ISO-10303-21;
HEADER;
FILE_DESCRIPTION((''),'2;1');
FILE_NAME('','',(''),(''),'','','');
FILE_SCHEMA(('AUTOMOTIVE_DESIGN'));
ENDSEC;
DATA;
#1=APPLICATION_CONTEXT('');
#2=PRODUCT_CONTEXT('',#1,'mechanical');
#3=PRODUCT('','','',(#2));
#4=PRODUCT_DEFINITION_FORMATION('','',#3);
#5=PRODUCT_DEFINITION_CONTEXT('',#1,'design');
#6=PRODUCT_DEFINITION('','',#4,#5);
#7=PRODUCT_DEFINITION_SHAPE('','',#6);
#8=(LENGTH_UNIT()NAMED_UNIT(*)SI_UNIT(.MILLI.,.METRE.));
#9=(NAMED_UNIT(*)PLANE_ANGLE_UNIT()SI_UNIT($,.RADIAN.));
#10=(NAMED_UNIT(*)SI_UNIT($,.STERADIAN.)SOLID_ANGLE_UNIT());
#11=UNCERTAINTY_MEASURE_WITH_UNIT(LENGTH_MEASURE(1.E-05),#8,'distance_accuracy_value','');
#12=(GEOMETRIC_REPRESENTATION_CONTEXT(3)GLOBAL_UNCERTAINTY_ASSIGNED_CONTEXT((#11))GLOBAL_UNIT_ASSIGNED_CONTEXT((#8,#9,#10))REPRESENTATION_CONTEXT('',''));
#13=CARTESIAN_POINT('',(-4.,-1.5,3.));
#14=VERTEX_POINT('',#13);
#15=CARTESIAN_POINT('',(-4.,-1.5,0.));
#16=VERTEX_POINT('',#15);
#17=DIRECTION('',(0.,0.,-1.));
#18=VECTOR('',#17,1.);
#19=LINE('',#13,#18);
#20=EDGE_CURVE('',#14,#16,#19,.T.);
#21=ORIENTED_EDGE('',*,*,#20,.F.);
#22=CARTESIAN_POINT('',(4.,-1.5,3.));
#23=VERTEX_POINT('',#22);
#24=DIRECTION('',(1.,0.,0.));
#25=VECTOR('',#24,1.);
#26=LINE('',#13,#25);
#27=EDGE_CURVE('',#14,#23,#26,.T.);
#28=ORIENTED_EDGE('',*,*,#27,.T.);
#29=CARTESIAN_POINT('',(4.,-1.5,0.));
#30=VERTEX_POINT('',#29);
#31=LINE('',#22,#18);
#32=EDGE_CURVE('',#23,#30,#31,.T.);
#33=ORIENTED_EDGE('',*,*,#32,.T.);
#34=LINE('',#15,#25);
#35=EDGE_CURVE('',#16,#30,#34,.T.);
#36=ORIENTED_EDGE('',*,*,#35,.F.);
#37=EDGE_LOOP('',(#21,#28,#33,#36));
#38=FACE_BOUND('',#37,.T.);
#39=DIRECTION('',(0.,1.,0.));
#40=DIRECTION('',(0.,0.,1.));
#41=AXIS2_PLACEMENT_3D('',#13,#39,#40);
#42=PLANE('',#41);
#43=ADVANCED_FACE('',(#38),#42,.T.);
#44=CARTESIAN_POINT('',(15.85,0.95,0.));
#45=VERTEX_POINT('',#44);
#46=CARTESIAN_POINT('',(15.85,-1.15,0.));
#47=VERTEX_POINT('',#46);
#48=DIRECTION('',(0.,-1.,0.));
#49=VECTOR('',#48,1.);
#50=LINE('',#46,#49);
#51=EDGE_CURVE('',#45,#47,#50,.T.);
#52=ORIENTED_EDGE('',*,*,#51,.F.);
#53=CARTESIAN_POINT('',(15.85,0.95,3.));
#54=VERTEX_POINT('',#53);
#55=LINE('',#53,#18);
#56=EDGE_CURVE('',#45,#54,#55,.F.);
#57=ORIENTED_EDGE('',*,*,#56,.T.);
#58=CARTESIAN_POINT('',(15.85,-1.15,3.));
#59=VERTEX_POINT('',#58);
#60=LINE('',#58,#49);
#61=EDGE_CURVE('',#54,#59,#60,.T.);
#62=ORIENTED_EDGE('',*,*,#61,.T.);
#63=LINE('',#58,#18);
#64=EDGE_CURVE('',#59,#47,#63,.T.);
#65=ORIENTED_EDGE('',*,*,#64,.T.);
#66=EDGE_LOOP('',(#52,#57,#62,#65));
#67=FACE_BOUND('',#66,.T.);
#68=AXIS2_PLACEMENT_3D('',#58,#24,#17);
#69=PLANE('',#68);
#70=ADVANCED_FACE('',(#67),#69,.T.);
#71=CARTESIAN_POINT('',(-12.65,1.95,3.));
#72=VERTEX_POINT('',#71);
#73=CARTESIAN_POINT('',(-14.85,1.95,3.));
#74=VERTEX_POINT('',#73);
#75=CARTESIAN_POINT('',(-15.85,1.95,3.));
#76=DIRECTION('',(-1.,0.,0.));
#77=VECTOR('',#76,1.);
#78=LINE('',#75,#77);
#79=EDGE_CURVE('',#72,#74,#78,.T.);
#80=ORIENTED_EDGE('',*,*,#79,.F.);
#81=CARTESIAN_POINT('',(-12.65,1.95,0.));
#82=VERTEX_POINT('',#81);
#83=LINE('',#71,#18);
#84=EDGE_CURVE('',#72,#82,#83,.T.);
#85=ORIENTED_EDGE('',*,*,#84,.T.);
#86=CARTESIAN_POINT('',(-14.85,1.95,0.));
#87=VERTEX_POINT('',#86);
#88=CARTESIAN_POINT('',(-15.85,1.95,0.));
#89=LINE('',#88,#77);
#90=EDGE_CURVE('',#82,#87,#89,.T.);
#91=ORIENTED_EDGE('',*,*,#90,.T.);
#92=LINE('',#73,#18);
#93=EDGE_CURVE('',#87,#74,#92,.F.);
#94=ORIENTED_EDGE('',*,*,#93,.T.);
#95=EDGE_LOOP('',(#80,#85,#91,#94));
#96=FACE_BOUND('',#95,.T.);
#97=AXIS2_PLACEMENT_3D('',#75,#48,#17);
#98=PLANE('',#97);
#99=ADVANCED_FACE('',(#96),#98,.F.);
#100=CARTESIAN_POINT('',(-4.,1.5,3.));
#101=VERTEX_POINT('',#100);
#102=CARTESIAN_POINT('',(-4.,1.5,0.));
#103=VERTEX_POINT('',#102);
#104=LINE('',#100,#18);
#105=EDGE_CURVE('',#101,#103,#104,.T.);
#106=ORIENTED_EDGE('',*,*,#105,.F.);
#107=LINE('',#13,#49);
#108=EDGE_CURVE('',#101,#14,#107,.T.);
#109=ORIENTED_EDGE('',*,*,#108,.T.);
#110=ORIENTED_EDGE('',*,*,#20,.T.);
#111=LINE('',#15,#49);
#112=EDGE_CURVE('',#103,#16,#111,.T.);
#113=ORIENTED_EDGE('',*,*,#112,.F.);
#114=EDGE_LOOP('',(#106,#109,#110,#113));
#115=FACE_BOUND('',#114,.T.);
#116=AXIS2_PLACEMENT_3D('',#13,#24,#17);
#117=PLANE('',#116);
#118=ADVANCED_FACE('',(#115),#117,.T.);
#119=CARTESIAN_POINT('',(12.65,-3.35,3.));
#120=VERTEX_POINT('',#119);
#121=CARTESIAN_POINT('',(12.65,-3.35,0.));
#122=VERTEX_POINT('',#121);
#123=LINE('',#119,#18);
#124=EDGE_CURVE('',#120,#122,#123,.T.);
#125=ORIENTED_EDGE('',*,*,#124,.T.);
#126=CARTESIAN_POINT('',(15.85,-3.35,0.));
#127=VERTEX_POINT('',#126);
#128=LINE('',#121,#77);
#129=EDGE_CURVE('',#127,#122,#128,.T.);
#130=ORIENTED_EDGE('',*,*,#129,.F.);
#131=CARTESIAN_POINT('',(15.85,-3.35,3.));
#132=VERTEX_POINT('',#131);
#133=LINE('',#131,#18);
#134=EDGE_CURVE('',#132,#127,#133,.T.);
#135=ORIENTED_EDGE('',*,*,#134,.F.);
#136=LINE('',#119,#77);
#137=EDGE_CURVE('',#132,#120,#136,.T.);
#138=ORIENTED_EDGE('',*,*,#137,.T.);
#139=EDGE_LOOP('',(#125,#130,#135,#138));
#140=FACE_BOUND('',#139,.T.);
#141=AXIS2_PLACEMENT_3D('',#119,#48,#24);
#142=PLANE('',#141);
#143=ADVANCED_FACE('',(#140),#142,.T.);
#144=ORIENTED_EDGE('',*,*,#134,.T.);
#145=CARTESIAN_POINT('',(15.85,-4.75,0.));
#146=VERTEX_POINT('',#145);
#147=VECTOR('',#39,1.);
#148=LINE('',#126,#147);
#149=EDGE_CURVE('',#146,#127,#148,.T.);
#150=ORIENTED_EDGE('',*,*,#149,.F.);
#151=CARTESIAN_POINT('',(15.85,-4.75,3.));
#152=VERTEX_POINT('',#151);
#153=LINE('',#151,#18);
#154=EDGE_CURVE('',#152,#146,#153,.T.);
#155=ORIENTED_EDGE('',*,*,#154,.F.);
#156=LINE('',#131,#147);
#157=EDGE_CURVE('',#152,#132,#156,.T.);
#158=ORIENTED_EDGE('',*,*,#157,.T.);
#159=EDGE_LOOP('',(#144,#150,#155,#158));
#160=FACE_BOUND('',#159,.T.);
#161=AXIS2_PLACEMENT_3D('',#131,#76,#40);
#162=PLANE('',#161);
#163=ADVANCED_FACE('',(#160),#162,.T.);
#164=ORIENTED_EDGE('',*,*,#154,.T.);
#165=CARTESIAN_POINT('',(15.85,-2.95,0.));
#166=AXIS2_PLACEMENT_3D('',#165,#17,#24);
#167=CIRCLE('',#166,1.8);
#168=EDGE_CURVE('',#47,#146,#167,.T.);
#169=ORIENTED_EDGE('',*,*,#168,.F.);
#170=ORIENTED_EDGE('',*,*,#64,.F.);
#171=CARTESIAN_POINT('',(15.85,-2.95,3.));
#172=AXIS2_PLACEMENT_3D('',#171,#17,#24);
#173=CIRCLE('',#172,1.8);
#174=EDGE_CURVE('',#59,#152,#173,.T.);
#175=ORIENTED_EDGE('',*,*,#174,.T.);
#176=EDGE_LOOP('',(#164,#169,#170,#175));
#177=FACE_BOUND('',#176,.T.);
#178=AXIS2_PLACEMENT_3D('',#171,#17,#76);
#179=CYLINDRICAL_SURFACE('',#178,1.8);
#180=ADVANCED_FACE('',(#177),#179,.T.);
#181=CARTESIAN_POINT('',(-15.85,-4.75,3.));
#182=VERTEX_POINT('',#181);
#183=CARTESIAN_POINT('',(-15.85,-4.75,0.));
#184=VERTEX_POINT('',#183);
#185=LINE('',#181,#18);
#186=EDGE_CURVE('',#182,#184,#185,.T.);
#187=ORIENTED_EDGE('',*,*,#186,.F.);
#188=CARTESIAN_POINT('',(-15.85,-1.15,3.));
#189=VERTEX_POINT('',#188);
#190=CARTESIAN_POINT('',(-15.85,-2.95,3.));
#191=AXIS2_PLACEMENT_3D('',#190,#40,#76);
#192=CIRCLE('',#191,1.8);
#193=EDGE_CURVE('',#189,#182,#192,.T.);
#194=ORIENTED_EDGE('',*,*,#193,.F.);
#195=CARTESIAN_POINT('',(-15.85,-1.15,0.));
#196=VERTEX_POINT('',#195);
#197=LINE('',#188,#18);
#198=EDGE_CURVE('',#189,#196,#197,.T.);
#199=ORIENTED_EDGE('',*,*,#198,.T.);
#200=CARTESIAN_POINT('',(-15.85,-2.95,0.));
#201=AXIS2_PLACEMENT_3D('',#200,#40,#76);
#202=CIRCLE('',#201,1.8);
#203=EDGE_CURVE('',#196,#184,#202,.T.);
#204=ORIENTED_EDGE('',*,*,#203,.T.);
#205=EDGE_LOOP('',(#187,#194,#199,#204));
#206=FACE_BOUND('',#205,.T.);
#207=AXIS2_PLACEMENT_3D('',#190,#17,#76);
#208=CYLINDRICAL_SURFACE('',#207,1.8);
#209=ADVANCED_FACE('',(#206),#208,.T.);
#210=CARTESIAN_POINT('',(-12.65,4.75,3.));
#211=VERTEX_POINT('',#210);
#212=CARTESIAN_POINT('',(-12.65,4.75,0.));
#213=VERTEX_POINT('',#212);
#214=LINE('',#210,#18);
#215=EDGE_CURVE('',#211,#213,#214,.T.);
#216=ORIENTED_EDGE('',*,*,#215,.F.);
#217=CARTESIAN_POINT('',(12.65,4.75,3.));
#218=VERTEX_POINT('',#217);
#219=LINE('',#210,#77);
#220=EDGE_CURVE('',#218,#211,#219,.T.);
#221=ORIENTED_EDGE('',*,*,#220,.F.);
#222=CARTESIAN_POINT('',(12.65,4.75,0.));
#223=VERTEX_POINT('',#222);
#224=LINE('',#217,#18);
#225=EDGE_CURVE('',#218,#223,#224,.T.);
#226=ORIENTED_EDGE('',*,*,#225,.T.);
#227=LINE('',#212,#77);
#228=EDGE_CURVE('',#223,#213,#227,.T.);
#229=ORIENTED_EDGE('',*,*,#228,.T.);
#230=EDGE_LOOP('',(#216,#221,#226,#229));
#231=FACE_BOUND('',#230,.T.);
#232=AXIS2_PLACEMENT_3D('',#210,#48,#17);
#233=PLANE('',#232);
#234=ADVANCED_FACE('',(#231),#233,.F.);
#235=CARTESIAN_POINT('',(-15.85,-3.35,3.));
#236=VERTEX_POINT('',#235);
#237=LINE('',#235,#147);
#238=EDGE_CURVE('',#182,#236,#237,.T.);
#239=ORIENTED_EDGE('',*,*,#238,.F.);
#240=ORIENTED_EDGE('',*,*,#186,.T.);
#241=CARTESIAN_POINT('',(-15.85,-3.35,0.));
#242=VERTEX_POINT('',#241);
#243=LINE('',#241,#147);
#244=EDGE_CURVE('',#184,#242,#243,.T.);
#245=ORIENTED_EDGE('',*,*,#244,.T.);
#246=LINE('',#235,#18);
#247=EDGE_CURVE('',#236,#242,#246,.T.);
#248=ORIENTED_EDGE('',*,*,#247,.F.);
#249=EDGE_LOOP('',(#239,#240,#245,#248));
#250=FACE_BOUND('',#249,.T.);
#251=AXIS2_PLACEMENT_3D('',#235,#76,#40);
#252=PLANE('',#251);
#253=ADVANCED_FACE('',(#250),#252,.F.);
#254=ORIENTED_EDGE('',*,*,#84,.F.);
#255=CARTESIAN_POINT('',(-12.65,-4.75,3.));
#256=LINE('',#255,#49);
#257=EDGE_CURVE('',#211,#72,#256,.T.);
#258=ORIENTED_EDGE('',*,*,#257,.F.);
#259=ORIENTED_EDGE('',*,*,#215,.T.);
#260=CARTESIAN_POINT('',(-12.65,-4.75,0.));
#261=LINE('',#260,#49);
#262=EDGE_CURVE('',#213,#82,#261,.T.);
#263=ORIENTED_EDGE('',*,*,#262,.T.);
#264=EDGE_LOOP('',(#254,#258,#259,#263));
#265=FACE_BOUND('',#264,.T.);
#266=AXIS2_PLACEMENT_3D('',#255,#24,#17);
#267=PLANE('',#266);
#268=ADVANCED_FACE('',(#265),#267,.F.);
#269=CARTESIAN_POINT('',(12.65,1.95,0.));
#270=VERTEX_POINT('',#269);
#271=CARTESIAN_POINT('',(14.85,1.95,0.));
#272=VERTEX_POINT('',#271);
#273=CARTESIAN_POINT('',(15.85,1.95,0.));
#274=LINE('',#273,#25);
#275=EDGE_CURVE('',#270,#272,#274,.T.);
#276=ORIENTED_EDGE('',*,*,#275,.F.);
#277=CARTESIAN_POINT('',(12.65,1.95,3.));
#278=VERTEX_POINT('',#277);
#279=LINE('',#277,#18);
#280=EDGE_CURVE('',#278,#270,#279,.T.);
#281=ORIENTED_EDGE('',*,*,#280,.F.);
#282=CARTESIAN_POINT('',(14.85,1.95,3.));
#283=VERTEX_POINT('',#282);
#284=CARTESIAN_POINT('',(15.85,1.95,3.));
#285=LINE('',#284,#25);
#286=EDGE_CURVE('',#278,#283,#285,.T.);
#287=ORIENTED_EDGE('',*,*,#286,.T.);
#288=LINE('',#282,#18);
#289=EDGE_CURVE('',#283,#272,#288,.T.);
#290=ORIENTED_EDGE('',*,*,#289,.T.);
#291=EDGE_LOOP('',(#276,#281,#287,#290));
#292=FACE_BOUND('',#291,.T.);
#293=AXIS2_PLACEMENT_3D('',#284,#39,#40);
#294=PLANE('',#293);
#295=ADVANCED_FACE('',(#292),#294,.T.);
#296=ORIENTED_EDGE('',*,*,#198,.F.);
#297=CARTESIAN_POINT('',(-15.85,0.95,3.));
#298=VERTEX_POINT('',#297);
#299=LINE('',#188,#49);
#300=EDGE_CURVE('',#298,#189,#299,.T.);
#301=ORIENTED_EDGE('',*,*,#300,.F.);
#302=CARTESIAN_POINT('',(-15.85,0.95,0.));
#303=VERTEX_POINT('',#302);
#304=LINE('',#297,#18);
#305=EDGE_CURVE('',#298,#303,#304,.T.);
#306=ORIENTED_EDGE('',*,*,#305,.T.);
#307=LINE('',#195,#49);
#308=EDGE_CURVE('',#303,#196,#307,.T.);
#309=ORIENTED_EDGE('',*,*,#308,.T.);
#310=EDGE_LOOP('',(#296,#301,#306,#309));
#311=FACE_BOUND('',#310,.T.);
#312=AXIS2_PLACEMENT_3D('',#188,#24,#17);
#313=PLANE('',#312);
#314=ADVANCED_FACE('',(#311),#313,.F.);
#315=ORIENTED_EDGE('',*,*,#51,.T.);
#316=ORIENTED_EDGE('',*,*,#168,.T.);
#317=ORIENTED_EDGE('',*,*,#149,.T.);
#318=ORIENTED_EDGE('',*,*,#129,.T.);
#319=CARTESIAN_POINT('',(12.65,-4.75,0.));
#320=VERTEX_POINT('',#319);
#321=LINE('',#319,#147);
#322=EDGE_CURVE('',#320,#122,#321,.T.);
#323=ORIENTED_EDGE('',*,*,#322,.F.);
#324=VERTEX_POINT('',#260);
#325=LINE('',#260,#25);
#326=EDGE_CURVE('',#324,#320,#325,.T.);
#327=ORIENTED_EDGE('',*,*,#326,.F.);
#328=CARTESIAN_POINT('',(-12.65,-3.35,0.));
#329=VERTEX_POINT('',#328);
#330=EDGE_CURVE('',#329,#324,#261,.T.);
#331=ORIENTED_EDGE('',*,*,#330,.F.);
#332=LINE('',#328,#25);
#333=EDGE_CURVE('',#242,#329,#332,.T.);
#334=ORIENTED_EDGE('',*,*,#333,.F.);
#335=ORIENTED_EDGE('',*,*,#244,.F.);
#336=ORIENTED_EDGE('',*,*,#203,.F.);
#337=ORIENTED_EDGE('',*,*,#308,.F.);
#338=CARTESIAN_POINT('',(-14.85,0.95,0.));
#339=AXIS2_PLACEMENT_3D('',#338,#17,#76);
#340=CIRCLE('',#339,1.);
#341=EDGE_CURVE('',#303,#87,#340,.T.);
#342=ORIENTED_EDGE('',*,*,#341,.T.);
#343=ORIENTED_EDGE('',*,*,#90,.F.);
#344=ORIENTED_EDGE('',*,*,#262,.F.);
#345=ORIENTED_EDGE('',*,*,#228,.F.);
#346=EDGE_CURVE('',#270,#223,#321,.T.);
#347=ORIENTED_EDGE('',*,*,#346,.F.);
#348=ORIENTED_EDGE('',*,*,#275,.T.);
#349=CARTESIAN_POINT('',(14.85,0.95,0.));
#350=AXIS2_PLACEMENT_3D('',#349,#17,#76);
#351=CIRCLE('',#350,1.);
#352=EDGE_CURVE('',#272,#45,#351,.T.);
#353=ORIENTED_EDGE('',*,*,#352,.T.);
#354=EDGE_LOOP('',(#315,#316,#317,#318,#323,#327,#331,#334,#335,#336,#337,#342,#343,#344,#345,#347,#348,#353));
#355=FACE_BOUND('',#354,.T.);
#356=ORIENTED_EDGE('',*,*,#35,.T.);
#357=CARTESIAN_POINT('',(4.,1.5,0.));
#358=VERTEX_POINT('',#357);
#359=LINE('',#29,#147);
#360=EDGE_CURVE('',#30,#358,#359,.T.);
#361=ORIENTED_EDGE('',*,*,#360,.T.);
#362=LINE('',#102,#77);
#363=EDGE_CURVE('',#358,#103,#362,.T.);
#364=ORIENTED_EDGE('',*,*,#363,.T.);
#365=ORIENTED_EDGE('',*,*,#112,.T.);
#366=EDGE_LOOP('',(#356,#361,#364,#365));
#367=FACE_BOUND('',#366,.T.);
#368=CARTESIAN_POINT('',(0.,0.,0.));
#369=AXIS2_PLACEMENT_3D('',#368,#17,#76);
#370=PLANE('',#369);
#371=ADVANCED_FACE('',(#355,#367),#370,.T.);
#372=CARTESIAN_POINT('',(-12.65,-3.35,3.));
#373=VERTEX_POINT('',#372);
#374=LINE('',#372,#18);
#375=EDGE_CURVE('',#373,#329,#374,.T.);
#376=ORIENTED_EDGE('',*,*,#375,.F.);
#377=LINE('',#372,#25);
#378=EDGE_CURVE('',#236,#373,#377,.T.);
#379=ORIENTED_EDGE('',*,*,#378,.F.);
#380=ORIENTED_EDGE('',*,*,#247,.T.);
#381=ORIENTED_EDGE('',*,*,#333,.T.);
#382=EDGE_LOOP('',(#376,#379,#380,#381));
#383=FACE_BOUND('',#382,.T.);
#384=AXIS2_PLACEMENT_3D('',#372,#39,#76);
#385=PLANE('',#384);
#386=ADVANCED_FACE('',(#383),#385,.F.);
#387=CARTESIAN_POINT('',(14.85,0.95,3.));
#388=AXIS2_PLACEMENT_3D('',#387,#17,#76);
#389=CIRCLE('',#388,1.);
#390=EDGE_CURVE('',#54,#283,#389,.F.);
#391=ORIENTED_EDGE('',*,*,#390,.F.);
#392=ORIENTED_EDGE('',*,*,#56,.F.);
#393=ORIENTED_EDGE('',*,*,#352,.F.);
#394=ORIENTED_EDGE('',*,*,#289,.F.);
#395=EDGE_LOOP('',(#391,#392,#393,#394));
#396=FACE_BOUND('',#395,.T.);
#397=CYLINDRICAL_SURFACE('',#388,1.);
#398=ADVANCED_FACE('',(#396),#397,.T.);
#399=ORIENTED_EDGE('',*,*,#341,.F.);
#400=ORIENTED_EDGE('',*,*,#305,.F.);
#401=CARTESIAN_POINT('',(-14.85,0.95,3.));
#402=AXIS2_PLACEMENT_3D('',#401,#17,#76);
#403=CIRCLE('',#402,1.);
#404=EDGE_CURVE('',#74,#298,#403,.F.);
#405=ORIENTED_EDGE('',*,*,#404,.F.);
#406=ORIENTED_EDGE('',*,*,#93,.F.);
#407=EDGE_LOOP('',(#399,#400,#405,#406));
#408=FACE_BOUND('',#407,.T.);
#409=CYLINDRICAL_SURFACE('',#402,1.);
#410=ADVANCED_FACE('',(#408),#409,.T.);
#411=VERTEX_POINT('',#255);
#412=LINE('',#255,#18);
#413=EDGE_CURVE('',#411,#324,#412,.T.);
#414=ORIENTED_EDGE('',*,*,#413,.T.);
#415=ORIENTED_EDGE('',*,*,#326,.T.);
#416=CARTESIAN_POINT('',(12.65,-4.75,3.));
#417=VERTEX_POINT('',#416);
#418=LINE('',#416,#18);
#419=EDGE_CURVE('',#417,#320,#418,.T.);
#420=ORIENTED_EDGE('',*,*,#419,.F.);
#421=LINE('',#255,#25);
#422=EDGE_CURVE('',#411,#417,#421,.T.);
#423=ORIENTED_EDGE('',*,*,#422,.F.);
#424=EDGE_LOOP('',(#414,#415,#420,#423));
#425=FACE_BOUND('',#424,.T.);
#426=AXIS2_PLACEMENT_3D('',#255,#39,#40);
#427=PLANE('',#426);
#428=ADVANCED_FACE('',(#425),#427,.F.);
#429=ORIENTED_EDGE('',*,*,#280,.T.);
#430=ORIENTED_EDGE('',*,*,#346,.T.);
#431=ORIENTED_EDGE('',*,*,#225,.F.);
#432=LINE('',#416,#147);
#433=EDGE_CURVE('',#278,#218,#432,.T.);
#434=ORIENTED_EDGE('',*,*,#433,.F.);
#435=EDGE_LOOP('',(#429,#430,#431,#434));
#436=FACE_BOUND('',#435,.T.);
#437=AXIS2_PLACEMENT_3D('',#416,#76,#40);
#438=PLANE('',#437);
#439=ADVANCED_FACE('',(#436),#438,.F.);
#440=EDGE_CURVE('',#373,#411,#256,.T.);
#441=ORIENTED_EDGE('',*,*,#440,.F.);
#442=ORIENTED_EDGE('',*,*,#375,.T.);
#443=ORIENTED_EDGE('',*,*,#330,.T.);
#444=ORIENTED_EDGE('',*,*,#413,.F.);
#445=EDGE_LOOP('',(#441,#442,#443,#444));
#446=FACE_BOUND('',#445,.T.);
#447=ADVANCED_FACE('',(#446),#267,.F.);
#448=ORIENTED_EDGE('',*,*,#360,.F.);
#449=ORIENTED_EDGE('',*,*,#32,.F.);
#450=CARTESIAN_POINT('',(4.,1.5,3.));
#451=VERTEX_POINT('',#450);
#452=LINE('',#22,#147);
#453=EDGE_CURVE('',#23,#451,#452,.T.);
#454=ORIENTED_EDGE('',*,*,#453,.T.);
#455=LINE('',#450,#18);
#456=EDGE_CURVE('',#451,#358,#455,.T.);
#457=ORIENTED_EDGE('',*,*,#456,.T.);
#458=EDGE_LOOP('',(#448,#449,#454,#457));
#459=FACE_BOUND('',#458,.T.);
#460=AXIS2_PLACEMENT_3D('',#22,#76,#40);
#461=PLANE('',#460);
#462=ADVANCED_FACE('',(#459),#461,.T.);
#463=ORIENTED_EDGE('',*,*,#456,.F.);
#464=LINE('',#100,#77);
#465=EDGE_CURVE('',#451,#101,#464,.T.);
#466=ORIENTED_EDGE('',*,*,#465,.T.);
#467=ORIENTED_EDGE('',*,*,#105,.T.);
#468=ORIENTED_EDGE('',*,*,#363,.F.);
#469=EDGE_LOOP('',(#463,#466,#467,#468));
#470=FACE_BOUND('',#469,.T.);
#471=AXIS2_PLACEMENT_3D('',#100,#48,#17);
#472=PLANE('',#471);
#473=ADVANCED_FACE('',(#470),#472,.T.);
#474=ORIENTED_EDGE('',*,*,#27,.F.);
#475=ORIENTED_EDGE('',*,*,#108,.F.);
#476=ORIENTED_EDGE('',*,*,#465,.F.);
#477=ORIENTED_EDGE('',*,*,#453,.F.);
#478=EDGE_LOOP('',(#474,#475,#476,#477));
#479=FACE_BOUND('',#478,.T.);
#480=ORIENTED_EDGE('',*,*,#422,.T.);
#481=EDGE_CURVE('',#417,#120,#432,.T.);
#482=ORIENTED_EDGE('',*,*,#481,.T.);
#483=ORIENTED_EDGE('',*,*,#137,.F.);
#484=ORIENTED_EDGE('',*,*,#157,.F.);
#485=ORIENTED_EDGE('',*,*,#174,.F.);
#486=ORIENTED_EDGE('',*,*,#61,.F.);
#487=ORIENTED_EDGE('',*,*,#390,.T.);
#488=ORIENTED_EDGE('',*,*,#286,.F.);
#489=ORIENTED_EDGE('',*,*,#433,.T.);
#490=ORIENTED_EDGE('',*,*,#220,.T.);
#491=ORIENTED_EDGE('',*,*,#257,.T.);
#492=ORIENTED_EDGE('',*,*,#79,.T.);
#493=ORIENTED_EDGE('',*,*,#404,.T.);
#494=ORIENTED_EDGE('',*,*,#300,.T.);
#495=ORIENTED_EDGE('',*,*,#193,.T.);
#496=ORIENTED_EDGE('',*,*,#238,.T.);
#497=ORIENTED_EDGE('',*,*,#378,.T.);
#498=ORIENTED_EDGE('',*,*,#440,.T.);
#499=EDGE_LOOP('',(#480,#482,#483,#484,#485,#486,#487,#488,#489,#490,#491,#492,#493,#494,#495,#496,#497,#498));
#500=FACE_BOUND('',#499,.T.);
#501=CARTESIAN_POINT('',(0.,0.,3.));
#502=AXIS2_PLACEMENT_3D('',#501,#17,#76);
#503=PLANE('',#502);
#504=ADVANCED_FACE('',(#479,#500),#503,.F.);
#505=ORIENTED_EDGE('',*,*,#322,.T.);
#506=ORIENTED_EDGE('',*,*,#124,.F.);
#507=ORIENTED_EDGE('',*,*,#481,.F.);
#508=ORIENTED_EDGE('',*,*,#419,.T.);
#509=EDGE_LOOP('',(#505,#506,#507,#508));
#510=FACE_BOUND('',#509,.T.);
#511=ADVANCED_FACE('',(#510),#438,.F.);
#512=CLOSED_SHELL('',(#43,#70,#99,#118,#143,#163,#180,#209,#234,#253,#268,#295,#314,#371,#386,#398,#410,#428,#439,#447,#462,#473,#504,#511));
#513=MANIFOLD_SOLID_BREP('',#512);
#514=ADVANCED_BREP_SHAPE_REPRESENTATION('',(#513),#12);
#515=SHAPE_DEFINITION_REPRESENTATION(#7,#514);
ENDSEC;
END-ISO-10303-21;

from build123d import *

# Parameters (mm, degrees)
BASE_W                   = 25.3
BASE_H                   = 9.5
RESSALTO_EXTRUS_O1_DEPTH = 3
ESBO_O4_W                = 8
ESBO_O4_H                = 3
CORTE_EXTRUS_O1_DEPTH    = 14.841423337
RESSALTO_EXTRUS_O2_DEPTH = 3
FILETE1_R                = 1
FILETE1_OF_ESPELHAR1_R   = 1


with BuildPart() as part:
    # Base → Ressalto-extrusão1 (new body)
    with BuildSketch(Plane.XY):
        Rectangle(BASE_W, BASE_H)
    extrude(amount=RESSALTO_EXTRUS_O1_DEPTH)

    # Esboço4 → Corte-extrusão1 (cut, through all)
    with BuildSketch(Plane.XY):
        Rectangle(ESBO_O4_W, ESBO_O4_H)
    extrude(amount=CORTE_EXTRUS_O1_DEPTH, mode=Mode.SUBTRACT)

    # Esboço2 → Ressalto-extrusão2 (add, through all)
    with BuildSketch(Plane.XY):
        with BuildLine():
            Line((-12.65, -3.35), (-15.85, -3.35))
            Line((-15.85, -3.35), (-15.85, -4.75))
            ThreePointArc((-15.85, -4.75), (-17.65, -2.95), (-15.85, -1.15))
            Line((-15.85, -1.15), (-15.85, 1.95))
            Line((-15.85, 1.95), (-12.65, 1.95))
            Line((-12.65, 1.95), (-12.65, -3.35))
        make_face()
    ressalto_extrus_o2 = extrude(amount=RESSALTO_EXTRUS_O2_DEPTH)

    # Filete1
    filete1_edges = [part.edges().sort_by_distance(p)[0] for p in [
        (-15.85, 1.95, 1.5),
    ]]
    fillet(filete1_edges, radius=FILETE1_R)

    # Espelhar1: Ressalto-extrusão2 across plane
    add(ressalto_extrus_o2.mirror(Plane(origin=(0, 0, 0), x_dir=(0, 0, 1), z_dir=(1, 0, 0))))

    # Filete1 of Espelhar1
    filete1_of_espelhar1_edges = [part.edges().sort_by_distance(p)[0] for p in [
        (15.85, 1.95, 1.5),
    ]]
    fillet(filete1_of_espelhar1_edges, radius=FILETE1_OF_ESPELHAR1_R)


solid = part.part
